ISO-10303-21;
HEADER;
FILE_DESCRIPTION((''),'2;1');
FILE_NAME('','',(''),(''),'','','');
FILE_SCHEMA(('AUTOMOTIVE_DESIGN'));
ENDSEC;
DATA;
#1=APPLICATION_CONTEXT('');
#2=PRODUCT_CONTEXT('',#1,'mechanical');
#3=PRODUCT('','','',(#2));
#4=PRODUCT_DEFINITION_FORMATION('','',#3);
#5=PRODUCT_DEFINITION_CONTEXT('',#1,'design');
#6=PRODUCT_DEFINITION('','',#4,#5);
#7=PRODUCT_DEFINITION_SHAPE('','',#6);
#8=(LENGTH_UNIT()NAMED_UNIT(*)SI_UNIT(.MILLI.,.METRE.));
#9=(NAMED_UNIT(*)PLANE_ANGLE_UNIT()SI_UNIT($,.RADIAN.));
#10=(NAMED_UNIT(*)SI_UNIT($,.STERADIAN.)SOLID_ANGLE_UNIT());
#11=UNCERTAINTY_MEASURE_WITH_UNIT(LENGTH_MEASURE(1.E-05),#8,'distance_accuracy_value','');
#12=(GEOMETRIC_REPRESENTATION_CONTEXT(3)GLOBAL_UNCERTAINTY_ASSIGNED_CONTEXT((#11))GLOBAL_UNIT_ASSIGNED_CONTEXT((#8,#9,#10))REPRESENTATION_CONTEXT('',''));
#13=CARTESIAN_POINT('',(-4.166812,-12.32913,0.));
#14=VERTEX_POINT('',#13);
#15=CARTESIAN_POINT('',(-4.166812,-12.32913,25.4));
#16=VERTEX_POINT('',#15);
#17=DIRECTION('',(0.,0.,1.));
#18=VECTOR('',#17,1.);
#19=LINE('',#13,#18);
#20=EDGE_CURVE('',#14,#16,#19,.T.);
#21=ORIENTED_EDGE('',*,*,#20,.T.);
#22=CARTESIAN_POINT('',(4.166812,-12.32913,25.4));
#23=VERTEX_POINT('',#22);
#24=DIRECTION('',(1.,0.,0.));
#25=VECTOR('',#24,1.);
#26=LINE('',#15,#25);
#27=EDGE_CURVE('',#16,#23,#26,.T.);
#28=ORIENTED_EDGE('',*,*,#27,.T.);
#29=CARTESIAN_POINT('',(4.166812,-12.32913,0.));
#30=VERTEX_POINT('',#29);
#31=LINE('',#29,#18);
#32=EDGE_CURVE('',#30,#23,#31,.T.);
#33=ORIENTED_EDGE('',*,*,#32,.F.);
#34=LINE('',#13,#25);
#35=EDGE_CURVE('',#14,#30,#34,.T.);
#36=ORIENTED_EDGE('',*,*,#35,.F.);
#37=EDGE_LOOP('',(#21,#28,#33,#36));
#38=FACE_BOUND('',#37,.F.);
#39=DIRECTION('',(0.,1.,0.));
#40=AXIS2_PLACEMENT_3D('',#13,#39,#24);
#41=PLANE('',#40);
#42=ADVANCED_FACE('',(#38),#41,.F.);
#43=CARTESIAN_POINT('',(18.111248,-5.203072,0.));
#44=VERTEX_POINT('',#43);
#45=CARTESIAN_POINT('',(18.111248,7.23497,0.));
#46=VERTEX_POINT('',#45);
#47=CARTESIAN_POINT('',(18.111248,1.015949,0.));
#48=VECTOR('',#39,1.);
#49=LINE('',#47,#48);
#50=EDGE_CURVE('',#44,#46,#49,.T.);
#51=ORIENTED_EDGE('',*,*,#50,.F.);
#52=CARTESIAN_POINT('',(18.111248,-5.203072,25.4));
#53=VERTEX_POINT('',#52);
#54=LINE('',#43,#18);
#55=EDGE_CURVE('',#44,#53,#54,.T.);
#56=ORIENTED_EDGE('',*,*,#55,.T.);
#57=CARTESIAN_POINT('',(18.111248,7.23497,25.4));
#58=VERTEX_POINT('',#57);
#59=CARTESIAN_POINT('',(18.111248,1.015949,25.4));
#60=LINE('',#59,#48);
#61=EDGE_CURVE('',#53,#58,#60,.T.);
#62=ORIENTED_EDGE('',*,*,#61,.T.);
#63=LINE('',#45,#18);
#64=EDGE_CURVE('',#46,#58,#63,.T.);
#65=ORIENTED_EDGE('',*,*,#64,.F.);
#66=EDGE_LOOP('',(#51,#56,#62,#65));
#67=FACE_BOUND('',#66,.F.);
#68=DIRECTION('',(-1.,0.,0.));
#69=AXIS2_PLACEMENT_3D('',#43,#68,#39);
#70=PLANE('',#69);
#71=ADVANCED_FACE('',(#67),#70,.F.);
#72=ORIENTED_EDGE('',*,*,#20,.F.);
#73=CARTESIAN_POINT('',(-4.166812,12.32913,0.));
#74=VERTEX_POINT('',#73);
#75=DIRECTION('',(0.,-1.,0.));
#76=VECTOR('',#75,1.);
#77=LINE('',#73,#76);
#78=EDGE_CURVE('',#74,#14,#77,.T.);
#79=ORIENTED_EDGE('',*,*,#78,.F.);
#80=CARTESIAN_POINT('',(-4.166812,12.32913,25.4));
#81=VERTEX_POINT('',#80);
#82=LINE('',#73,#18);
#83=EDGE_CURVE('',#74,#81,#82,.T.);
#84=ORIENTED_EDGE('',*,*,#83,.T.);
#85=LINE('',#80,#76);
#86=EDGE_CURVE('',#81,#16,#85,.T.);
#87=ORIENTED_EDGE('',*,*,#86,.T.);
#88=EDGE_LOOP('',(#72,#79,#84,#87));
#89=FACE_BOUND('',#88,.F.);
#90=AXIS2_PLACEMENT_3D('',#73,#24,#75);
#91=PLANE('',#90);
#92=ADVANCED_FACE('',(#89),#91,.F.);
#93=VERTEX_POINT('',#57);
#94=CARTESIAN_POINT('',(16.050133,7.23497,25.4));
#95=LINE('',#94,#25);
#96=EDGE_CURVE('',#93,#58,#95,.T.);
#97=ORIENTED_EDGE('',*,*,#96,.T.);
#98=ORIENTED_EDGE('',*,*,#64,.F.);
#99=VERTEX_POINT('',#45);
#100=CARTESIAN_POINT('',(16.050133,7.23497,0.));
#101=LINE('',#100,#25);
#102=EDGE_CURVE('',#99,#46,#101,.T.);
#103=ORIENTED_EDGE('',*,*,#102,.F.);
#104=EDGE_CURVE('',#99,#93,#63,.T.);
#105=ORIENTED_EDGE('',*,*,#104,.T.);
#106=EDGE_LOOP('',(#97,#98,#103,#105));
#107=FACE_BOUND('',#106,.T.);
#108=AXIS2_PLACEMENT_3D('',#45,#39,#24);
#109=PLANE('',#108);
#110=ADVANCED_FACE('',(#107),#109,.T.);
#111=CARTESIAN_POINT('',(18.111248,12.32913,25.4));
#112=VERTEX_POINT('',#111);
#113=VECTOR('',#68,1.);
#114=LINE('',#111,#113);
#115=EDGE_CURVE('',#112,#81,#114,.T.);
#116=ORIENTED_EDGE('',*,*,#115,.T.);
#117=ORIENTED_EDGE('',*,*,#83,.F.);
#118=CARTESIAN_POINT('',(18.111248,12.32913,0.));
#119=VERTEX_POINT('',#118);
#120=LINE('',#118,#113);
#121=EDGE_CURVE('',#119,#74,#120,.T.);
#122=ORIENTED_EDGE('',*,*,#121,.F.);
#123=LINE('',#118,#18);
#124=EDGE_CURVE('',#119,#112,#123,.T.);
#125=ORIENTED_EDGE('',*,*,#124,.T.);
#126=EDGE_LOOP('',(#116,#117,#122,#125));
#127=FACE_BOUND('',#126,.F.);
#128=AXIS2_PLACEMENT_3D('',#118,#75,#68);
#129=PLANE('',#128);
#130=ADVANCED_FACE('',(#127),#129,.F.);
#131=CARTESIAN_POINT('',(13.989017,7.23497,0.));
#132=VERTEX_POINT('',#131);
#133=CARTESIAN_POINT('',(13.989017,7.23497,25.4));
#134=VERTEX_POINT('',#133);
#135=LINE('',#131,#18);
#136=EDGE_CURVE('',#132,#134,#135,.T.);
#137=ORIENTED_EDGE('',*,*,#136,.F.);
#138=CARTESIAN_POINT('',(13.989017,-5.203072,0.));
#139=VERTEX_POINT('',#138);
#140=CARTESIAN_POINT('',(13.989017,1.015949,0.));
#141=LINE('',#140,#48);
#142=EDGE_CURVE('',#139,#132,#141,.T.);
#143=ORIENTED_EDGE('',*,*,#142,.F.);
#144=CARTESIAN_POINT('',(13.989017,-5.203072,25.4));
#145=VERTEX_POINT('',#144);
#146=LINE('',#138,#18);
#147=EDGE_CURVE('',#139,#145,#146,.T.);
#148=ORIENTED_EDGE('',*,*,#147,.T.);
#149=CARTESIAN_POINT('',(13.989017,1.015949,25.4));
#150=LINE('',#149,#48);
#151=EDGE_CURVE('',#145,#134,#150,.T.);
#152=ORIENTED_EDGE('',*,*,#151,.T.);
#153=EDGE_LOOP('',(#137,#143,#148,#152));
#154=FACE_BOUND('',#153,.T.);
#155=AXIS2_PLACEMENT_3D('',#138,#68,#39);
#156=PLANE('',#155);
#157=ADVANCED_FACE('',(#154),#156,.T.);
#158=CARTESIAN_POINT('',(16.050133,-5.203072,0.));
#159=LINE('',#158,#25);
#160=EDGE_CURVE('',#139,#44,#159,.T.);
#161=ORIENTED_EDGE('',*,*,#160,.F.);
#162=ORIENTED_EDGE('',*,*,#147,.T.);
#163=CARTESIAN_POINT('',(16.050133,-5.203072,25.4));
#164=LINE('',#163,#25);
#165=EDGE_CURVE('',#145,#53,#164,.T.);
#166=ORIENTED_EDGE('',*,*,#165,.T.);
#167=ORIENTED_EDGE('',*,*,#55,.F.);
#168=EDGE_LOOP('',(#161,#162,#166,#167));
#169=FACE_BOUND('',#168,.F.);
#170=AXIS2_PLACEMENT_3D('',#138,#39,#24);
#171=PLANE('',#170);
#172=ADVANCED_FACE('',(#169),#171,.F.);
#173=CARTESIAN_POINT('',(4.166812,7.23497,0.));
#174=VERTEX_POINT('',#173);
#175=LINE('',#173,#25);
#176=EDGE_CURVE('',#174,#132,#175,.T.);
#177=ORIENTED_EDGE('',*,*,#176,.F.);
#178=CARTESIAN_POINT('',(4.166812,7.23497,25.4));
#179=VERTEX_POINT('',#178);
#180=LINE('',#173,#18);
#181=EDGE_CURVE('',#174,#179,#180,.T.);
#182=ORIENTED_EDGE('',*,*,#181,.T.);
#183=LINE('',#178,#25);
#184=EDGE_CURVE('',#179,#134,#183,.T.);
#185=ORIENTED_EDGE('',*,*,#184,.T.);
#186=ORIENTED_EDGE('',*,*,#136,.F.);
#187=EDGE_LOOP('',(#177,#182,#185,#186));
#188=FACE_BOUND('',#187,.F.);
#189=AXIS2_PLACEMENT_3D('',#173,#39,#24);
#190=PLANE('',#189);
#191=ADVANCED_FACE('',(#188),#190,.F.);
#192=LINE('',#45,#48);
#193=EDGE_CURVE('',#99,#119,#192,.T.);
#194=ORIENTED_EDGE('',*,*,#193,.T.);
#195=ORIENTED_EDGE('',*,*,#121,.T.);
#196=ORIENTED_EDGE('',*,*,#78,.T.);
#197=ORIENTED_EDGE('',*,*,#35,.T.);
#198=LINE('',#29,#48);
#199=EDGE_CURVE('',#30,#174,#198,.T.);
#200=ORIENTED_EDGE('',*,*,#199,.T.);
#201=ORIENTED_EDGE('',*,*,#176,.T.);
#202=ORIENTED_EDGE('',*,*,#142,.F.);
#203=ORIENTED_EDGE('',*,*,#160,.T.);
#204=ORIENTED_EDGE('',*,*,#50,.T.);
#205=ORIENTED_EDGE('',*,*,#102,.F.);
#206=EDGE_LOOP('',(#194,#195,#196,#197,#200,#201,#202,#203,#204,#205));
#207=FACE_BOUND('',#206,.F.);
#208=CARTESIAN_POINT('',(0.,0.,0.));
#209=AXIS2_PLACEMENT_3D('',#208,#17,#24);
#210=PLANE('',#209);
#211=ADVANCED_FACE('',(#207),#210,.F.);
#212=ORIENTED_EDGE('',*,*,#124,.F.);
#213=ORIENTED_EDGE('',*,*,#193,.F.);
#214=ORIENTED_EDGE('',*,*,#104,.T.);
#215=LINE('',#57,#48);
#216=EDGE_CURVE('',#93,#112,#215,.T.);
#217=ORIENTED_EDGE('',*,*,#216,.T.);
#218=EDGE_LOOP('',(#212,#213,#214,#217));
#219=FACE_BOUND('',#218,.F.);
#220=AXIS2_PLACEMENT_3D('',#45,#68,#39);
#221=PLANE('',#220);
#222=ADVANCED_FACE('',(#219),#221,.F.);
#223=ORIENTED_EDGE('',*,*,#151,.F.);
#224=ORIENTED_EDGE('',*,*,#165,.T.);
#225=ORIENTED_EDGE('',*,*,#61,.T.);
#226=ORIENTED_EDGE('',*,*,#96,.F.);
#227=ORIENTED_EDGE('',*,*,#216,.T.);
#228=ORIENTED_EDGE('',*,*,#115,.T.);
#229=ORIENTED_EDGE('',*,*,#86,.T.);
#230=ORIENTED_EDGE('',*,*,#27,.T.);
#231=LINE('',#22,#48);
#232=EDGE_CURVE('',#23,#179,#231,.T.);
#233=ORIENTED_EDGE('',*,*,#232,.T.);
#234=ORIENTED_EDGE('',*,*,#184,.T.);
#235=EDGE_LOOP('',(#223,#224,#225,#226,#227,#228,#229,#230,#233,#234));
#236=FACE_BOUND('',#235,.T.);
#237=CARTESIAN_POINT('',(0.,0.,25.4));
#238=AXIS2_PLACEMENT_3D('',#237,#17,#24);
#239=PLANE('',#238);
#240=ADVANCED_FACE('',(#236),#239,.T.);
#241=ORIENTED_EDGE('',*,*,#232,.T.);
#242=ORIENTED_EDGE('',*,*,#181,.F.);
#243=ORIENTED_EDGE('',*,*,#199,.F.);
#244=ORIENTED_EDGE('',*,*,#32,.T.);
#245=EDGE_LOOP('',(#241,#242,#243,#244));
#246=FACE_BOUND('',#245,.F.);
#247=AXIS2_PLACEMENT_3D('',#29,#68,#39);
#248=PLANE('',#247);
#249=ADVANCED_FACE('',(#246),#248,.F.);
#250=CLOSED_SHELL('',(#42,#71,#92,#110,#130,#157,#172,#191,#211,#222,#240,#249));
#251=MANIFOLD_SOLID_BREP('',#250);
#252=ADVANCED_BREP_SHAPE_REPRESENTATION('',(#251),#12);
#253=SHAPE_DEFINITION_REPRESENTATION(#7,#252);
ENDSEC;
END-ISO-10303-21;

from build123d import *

# Parameters (mm, degrees)
F0_W     = 4.122231
F0_H     = 12.438042
F1_DEPTH = 25.4


with BuildPart() as f1:
    # F0 (on Top) → F1 (new body)
    with BuildSketch(Plane.XY):
        Polygon((-4.166812, -12.32913), (4.166812, -12.32913), (4.166812, 7.23497), (4.166812, 12.32913), (-4.166812, 12.32913), align=None)
        Polygon((4.166812, 12.32913), (4.166812, 7.23497), (13.989017, 7.23497), (18.111248, 7.23497), (18.111248, 12.32913), align=None)
        with Locations((16.050133, 1.015949)):
            Rectangle(F0_W, F0_H)
    extrude(amount=F1_DEPTH)


solid = f1.part
